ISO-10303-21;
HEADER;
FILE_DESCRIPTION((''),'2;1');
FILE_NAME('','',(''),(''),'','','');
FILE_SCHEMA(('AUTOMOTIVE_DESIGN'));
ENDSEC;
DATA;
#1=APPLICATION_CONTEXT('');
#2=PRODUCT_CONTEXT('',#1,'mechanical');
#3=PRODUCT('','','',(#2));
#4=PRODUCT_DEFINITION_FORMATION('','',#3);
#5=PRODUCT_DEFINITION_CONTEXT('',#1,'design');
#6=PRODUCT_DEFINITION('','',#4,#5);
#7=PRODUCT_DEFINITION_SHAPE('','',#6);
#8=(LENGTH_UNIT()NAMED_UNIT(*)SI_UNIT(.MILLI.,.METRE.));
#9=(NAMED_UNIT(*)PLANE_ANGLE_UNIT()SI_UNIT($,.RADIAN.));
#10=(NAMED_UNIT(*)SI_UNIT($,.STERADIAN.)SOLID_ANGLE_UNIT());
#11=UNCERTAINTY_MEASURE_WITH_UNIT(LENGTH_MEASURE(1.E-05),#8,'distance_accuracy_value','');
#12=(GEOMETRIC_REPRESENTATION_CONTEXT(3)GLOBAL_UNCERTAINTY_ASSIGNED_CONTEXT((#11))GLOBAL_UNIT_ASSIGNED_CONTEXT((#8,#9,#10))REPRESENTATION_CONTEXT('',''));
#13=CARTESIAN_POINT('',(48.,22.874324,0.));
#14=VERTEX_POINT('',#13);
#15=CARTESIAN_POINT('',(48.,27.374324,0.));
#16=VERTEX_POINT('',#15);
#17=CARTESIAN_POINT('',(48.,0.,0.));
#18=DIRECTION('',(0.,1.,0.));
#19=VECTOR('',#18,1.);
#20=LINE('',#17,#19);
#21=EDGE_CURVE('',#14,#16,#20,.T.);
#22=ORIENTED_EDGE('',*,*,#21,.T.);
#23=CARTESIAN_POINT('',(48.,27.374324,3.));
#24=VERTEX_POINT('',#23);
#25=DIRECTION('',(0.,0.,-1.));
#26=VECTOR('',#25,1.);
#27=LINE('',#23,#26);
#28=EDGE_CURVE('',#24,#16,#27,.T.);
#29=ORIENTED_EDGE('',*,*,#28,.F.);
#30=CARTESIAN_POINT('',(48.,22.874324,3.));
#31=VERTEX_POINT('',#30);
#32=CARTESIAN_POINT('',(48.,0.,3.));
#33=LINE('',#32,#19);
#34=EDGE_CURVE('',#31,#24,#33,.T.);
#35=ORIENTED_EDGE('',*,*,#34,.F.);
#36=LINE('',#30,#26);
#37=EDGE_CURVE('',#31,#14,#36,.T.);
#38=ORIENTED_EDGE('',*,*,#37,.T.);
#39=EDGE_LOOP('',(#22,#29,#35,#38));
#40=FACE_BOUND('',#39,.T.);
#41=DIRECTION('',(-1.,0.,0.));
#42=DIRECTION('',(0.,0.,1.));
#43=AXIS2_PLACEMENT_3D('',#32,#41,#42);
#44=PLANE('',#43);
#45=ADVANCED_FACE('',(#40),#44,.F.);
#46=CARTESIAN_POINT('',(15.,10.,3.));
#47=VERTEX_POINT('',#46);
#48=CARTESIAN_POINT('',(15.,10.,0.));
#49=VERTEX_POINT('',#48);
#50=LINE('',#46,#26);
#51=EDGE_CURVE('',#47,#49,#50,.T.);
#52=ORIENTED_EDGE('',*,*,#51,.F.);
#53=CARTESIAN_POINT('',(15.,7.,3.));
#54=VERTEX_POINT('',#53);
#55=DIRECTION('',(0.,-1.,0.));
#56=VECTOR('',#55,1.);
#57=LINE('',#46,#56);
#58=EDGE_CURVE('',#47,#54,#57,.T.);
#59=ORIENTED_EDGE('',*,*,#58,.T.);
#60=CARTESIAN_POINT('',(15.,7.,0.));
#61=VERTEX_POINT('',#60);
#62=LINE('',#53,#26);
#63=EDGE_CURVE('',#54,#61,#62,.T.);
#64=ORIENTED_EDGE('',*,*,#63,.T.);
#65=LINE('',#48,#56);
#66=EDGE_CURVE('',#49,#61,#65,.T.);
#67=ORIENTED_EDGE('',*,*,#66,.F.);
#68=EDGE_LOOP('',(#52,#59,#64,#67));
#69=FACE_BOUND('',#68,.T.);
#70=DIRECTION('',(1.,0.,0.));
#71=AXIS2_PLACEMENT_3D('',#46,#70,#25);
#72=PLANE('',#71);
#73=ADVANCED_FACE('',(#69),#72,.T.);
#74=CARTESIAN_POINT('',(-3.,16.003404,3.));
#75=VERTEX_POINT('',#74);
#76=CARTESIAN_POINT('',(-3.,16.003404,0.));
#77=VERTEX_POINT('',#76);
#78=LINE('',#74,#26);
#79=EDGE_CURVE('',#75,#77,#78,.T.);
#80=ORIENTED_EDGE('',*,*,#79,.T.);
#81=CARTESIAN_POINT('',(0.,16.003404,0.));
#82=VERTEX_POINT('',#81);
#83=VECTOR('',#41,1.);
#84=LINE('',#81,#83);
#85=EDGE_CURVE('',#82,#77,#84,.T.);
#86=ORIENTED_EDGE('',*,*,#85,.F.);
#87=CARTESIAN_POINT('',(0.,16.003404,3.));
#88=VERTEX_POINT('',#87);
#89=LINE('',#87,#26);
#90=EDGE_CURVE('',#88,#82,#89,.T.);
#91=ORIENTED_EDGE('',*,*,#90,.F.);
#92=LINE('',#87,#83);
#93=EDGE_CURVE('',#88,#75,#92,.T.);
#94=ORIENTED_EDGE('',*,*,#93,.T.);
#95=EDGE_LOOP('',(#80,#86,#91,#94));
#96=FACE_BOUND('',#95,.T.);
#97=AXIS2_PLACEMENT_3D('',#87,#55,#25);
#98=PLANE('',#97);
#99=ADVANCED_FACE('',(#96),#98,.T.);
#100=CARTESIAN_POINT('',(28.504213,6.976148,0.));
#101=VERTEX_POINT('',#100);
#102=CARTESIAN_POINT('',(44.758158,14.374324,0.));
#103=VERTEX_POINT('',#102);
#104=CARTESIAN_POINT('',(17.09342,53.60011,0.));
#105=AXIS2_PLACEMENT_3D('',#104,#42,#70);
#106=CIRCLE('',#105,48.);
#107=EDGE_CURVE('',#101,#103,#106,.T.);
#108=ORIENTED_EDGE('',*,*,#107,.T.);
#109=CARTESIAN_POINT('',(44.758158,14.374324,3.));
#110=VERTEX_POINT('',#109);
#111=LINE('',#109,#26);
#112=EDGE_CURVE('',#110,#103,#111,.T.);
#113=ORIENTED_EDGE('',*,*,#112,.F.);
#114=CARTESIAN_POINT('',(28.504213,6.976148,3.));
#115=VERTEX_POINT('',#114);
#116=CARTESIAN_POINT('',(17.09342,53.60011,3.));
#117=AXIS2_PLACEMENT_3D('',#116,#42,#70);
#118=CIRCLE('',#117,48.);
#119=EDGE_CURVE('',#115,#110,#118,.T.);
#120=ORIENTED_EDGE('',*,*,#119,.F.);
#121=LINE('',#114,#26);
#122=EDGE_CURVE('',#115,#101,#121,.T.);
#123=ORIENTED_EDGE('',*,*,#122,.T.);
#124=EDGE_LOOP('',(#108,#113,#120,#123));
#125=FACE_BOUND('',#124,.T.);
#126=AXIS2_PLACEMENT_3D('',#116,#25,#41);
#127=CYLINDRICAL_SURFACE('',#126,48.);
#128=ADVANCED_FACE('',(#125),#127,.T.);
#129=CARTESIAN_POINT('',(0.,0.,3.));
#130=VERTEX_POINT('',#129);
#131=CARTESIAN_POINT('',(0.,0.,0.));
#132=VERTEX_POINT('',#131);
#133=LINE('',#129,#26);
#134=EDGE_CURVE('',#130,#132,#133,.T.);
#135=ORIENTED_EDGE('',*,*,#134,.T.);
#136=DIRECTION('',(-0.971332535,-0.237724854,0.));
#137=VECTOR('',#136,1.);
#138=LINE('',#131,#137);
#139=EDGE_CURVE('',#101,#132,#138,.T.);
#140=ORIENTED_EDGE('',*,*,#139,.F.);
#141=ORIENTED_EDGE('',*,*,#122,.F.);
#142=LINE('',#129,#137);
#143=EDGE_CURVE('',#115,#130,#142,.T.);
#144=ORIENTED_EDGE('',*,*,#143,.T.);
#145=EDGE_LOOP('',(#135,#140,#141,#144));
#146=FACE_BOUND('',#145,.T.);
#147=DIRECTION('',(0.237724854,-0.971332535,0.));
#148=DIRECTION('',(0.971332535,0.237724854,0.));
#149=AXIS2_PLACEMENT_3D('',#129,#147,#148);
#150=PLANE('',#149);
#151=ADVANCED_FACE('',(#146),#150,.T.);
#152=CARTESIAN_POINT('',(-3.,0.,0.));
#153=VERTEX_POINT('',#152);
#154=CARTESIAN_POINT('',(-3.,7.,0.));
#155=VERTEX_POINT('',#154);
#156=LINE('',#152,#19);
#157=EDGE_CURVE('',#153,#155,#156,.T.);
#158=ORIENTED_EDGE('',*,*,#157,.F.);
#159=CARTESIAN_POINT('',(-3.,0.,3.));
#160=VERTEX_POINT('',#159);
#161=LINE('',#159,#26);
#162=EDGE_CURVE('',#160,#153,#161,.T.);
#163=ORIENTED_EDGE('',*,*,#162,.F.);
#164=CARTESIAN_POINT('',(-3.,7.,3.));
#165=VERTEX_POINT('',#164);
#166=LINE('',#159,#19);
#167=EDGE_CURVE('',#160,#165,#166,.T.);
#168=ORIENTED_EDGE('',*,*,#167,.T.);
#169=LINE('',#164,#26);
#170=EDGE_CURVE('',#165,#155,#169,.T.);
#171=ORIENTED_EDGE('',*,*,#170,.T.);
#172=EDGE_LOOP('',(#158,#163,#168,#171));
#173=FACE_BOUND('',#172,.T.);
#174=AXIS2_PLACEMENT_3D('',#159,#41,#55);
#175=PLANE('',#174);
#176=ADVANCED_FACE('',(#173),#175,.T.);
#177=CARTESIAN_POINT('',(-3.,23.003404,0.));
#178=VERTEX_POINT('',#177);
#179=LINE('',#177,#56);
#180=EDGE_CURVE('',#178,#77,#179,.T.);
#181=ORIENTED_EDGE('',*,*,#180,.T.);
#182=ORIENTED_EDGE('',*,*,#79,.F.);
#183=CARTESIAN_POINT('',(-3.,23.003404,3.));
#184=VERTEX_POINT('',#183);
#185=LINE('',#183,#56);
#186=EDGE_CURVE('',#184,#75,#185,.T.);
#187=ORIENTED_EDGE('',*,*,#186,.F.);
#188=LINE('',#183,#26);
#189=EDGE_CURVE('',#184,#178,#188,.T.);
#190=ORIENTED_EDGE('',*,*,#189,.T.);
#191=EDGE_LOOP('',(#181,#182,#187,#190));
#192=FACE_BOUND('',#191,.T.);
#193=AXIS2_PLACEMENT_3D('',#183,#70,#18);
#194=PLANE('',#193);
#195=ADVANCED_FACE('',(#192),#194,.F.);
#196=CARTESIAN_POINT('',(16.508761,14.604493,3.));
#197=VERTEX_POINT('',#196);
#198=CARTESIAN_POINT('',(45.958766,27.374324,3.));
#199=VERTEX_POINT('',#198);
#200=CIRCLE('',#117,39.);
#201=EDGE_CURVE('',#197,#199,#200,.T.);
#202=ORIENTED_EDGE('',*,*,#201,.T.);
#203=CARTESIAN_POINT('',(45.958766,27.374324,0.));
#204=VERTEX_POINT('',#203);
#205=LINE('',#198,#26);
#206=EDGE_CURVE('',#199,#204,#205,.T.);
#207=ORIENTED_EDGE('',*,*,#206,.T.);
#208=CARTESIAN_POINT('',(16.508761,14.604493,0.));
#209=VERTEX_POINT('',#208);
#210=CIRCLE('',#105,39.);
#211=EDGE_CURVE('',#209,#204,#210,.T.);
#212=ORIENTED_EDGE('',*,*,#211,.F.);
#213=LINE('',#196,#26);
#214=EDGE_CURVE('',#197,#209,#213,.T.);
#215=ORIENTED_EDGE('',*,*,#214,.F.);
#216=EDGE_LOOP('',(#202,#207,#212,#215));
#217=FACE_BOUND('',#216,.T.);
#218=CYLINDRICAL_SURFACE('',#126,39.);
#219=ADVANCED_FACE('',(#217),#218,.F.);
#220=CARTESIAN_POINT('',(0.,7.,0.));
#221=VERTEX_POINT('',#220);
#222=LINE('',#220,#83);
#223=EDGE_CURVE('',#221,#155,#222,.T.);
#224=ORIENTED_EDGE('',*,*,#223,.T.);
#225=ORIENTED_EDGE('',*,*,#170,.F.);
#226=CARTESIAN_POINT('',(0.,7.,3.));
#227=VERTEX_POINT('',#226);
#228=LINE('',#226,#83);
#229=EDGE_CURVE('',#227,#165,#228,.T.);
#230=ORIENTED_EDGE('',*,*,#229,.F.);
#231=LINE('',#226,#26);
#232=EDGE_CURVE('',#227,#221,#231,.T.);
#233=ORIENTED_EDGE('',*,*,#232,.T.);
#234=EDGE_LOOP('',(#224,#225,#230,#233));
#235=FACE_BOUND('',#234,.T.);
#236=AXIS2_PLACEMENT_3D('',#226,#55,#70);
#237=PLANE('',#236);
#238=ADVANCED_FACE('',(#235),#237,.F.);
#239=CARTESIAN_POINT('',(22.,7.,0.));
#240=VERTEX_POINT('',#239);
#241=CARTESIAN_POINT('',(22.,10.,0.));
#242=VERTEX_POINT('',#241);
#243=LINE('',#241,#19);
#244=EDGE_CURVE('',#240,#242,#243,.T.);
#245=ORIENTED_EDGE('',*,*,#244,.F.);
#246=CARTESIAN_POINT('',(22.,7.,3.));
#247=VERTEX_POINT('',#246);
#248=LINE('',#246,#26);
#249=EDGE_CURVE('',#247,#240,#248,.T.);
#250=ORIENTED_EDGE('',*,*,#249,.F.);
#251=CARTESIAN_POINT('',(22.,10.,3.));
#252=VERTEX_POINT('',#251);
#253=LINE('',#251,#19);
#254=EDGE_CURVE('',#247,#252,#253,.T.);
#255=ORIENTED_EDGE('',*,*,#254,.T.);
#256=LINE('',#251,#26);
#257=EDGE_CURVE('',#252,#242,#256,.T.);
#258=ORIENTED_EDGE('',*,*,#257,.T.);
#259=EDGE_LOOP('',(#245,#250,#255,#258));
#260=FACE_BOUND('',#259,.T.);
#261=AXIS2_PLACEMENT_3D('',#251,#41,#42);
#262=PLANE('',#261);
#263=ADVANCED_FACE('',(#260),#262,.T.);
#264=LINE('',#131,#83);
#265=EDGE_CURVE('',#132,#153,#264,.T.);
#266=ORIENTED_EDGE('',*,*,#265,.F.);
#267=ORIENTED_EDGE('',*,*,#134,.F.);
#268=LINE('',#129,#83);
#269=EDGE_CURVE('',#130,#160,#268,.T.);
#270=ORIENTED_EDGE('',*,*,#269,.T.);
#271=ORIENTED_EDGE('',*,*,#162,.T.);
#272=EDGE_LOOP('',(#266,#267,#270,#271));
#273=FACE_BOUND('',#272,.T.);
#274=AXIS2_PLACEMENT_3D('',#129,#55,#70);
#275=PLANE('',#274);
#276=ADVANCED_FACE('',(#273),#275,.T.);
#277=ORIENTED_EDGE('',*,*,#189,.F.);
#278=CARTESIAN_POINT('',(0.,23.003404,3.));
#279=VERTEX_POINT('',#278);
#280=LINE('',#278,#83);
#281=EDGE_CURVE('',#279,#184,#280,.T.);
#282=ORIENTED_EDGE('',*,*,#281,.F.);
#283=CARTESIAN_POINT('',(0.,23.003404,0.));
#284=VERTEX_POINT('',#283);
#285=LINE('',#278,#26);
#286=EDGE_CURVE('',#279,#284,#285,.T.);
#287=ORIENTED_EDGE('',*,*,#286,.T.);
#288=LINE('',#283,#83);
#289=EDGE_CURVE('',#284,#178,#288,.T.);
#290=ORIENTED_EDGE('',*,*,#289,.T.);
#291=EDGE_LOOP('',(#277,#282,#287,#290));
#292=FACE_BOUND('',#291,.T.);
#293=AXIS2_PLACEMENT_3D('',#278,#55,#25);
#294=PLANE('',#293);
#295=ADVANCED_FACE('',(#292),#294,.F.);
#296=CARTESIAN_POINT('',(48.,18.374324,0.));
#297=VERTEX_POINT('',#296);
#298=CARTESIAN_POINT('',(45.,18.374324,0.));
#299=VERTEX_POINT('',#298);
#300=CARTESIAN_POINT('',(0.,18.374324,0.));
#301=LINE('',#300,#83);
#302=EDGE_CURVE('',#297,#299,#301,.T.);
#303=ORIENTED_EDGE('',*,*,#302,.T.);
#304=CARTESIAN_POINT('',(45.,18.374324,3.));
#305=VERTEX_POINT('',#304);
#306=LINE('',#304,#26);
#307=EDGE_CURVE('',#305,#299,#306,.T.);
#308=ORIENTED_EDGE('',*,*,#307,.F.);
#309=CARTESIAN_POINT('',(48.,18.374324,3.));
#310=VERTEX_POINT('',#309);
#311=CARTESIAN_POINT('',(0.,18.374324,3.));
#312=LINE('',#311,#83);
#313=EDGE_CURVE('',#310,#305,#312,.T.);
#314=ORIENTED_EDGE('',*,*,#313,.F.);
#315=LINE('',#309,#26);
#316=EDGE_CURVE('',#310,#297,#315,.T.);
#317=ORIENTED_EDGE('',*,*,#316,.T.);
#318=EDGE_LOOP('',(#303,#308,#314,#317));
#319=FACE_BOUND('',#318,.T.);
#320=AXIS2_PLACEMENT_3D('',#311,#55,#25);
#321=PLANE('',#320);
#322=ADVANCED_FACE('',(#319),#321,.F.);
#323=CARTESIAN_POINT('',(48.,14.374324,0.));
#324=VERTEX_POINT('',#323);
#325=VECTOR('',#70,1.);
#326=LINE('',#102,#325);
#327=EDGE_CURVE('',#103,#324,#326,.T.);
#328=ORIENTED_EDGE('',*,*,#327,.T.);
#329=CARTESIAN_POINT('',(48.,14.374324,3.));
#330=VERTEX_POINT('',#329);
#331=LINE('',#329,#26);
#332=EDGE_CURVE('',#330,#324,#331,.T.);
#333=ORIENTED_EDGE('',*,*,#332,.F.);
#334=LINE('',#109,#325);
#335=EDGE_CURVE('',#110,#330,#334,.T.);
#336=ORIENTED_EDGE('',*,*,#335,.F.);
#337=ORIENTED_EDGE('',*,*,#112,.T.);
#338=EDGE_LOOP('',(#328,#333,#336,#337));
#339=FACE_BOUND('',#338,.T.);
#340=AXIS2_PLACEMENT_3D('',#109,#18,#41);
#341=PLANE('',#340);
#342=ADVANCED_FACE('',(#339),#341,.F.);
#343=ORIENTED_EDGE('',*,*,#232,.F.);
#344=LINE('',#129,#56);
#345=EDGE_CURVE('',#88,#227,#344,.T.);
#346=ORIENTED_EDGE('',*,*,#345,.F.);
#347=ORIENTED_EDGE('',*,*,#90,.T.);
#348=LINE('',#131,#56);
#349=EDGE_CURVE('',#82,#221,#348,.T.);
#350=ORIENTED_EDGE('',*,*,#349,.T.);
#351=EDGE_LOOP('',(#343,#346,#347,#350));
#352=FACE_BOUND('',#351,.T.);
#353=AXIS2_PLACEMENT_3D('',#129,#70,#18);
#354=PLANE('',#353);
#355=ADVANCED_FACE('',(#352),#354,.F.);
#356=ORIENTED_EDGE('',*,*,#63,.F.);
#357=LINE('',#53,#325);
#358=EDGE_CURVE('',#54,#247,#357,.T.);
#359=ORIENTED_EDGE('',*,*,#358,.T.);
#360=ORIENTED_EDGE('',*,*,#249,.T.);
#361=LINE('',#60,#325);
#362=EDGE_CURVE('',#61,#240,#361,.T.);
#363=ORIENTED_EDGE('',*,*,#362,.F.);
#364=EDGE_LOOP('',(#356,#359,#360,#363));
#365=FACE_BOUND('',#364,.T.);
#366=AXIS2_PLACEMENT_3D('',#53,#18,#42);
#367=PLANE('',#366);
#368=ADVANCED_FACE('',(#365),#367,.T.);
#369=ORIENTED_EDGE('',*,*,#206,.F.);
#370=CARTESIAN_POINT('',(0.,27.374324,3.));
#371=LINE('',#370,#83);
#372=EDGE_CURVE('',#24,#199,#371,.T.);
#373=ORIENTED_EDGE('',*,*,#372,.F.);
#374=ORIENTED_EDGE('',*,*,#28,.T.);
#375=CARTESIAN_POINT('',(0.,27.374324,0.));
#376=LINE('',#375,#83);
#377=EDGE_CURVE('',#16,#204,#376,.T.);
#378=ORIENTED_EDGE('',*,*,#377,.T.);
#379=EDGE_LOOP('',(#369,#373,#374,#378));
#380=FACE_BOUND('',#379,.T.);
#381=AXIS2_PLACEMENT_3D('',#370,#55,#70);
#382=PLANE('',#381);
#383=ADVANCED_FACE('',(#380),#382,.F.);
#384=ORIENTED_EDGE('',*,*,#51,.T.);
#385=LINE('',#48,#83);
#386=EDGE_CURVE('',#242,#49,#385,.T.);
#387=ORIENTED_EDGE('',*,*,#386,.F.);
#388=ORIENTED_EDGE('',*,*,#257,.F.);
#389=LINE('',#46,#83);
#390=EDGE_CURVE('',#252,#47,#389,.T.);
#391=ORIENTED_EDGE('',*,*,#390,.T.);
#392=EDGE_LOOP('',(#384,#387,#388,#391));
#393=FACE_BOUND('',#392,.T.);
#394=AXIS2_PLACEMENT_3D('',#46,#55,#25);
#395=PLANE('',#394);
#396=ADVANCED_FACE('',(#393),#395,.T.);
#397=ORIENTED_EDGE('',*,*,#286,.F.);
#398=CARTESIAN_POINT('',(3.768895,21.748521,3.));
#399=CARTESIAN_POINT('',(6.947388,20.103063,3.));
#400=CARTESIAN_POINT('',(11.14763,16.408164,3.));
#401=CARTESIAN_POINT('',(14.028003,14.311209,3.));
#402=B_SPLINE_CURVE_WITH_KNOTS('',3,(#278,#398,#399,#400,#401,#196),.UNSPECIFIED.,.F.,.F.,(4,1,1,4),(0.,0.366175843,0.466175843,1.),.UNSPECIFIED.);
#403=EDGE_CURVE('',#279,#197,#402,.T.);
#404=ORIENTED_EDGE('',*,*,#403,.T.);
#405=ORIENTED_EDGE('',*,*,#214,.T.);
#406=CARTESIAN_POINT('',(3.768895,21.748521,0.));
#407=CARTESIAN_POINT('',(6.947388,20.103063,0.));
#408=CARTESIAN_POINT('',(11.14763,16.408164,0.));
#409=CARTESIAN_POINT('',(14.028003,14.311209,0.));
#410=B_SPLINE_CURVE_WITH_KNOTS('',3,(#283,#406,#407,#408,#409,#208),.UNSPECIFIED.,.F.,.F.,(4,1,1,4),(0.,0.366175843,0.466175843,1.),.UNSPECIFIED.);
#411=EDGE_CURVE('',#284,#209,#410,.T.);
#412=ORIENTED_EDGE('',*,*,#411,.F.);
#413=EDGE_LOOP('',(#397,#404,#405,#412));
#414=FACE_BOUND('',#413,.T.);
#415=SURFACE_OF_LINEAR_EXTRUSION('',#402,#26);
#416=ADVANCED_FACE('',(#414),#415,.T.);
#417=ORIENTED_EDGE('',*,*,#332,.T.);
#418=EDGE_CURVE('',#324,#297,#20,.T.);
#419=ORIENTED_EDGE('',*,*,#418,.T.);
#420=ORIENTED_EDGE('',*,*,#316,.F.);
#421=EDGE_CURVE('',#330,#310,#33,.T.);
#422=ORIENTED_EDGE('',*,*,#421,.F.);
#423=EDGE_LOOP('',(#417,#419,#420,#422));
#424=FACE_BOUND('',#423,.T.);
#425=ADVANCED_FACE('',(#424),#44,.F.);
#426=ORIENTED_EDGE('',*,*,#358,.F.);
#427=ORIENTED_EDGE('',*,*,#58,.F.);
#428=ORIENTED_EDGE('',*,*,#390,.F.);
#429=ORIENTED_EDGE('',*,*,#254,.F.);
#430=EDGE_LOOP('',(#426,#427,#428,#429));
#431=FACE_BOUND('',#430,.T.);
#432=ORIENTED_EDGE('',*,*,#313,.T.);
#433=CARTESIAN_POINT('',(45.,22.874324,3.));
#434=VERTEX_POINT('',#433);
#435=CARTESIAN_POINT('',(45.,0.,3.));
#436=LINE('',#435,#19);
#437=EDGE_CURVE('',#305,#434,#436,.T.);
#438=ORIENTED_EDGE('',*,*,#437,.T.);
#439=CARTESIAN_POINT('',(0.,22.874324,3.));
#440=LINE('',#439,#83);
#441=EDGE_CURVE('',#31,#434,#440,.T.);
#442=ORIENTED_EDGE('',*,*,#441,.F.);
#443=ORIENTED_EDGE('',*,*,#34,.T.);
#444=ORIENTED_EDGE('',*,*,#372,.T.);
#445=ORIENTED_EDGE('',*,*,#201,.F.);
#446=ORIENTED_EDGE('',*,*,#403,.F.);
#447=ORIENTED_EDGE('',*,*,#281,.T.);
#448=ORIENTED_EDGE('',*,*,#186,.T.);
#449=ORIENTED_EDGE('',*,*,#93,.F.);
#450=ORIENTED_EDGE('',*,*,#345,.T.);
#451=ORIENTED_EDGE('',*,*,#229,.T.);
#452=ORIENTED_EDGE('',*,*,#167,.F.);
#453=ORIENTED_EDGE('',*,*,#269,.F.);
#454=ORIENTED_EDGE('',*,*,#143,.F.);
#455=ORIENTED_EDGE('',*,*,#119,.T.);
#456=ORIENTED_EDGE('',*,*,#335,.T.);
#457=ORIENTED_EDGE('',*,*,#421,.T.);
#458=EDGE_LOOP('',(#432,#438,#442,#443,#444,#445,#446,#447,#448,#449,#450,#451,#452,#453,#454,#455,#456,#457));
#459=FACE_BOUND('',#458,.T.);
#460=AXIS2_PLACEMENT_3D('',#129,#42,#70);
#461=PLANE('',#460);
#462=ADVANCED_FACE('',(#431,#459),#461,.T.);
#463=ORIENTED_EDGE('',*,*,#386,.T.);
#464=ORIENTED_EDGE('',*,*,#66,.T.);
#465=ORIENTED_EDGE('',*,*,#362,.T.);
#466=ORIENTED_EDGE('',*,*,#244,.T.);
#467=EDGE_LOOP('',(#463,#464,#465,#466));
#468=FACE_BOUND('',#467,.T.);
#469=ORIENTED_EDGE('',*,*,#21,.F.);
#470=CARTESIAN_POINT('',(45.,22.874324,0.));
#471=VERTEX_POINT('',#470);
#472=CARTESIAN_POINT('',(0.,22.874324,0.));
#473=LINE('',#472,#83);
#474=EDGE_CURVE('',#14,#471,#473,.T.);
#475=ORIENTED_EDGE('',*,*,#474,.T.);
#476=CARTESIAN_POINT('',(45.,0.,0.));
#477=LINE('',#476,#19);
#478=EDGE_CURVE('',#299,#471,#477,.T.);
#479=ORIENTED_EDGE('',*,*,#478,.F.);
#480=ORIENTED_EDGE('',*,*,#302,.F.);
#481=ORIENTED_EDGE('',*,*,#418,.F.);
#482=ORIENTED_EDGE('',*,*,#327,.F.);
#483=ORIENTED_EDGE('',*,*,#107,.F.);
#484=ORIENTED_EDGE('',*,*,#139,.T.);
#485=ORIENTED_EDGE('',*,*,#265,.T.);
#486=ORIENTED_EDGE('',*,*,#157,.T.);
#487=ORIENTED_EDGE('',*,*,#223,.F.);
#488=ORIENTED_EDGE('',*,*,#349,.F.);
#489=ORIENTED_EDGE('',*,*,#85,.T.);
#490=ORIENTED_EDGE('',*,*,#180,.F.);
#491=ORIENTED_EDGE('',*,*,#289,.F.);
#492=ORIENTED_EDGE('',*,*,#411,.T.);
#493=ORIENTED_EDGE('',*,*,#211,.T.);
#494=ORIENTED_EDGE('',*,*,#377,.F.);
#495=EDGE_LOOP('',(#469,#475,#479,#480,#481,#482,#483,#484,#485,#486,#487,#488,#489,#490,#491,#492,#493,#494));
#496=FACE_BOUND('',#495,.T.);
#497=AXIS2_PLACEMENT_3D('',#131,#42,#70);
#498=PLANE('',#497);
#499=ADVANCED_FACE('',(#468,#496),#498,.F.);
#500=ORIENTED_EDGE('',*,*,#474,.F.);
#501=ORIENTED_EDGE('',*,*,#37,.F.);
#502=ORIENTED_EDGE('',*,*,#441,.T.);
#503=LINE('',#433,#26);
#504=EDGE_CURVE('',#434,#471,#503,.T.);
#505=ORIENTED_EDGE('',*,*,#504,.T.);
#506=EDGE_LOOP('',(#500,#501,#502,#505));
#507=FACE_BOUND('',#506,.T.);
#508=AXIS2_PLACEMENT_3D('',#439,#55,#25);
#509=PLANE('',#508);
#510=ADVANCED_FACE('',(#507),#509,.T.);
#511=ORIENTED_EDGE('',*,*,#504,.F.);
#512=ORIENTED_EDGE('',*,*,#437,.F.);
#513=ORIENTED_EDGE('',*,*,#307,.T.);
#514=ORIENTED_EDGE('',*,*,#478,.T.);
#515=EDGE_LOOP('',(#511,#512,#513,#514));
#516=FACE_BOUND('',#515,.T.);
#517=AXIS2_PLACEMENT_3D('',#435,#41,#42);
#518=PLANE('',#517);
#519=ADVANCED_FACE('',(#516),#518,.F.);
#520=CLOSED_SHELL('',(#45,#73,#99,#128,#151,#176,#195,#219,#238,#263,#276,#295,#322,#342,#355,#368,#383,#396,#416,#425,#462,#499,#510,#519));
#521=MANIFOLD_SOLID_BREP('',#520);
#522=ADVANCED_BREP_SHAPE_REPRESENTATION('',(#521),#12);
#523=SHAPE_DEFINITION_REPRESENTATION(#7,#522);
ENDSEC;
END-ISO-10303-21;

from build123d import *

# Parameters (mm, degrees)
CROQUIS2_W              = 3
CROQUIS2_H              = 7
SALIENTE_EXTRUIR1_DEPTH = 3
CROQUIS3_W              = 7
CROQUIS3_H              = 3
CORTAR_EXTRUIR1_DEPTH   = 3
SALIENTE_EXTRUIR2_DEPTH = 3


with BuildPart() as part:
    # Croquis2 → Saliente-Extruir1 (new body)
    with BuildSketch(Plane.XY):
        with BuildLine():
            ThreePointArc((28.504213464, 6.97614846), (38.823203621, 10.80038439), (48, 16.874324342))
            Line((48, 16.874324342), (48, 18.374324342))
            Line((48, 18.374324342), (45, 18.374324342))
            Line((45, 18.374324342), (45, 22.874324342))
            Line((45, 22.874324342), (48, 22.874324342))
            Line((48, 22.874324342), (48, 27.374324342))
            Line((48, 27.374324342), (45.958765785, 27.374324342))
            ThreePointArc((45.958765785, 27.374324342), (32.608459646, 17.819059857), (16.508760518, 14.604492799))
            add(Edge.make_bspline(
                [(0, 23.003403927), (3.768895236, 21.748521109), (6.947387732, 20.10306336), (11.1476301, 16.408164217), (14.028002641, 14.311208734), (16.508760518, 14.604492799)],
                knots=[0, 0, 0, 0, 0.366175843, 0.466175843, 1, 1, 1, 1], degree=3))
            Line((0, 23.003403927), (0, 16.003403927))
            Line((0, 16.003403927), (0, 7))
            Line((0, 7), (0, 0))
            Line((0, 0), (28.504213464, 6.97614846))
        make_face()
        with Locations((-1.5, 3.5)):
            Rectangle(CROQUIS2_W, CROQUIS2_H)
        with Locations((-1.5, 19.503403927)):
            Rectangle(CROQUIS2_W, CROQUIS2_H)
    extrude(amount=SALIENTE_EXTRUIR1_DEPTH)

    # Croquis3 → Cortar-Extruir1 (cut)
    with BuildSketch(Plane.XY):
        with Locations((18.5, 8.5)):
            Rectangle(CROQUIS3_W, CROQUIS3_H)
    extrude(amount=CORTAR_EXTRUIR1_DEPTH, mode=Mode.SUBTRACT)

    # Croquis4 → Saliente-Extruir2 (add)
    with BuildSketch(Plane.XY):
        with BuildLine():
            Line((45, 18.374324342), (45, 14.546008954))
            ThreePointArc((45, 14.546008954), (44.879211841, 14.45997986), (44.758158478, 14.374324342))
            Line((44.758158478, 14.374324342), (48, 14.374324342))
            Line((48, 14.374324342), (48, 18.374324342))
            Line((48, 18.374324342), (45, 18.374324342))
        make_face()
    extrude(amount=SALIENTE_EXTRUIR2_DEPTH)


solid = part.part
